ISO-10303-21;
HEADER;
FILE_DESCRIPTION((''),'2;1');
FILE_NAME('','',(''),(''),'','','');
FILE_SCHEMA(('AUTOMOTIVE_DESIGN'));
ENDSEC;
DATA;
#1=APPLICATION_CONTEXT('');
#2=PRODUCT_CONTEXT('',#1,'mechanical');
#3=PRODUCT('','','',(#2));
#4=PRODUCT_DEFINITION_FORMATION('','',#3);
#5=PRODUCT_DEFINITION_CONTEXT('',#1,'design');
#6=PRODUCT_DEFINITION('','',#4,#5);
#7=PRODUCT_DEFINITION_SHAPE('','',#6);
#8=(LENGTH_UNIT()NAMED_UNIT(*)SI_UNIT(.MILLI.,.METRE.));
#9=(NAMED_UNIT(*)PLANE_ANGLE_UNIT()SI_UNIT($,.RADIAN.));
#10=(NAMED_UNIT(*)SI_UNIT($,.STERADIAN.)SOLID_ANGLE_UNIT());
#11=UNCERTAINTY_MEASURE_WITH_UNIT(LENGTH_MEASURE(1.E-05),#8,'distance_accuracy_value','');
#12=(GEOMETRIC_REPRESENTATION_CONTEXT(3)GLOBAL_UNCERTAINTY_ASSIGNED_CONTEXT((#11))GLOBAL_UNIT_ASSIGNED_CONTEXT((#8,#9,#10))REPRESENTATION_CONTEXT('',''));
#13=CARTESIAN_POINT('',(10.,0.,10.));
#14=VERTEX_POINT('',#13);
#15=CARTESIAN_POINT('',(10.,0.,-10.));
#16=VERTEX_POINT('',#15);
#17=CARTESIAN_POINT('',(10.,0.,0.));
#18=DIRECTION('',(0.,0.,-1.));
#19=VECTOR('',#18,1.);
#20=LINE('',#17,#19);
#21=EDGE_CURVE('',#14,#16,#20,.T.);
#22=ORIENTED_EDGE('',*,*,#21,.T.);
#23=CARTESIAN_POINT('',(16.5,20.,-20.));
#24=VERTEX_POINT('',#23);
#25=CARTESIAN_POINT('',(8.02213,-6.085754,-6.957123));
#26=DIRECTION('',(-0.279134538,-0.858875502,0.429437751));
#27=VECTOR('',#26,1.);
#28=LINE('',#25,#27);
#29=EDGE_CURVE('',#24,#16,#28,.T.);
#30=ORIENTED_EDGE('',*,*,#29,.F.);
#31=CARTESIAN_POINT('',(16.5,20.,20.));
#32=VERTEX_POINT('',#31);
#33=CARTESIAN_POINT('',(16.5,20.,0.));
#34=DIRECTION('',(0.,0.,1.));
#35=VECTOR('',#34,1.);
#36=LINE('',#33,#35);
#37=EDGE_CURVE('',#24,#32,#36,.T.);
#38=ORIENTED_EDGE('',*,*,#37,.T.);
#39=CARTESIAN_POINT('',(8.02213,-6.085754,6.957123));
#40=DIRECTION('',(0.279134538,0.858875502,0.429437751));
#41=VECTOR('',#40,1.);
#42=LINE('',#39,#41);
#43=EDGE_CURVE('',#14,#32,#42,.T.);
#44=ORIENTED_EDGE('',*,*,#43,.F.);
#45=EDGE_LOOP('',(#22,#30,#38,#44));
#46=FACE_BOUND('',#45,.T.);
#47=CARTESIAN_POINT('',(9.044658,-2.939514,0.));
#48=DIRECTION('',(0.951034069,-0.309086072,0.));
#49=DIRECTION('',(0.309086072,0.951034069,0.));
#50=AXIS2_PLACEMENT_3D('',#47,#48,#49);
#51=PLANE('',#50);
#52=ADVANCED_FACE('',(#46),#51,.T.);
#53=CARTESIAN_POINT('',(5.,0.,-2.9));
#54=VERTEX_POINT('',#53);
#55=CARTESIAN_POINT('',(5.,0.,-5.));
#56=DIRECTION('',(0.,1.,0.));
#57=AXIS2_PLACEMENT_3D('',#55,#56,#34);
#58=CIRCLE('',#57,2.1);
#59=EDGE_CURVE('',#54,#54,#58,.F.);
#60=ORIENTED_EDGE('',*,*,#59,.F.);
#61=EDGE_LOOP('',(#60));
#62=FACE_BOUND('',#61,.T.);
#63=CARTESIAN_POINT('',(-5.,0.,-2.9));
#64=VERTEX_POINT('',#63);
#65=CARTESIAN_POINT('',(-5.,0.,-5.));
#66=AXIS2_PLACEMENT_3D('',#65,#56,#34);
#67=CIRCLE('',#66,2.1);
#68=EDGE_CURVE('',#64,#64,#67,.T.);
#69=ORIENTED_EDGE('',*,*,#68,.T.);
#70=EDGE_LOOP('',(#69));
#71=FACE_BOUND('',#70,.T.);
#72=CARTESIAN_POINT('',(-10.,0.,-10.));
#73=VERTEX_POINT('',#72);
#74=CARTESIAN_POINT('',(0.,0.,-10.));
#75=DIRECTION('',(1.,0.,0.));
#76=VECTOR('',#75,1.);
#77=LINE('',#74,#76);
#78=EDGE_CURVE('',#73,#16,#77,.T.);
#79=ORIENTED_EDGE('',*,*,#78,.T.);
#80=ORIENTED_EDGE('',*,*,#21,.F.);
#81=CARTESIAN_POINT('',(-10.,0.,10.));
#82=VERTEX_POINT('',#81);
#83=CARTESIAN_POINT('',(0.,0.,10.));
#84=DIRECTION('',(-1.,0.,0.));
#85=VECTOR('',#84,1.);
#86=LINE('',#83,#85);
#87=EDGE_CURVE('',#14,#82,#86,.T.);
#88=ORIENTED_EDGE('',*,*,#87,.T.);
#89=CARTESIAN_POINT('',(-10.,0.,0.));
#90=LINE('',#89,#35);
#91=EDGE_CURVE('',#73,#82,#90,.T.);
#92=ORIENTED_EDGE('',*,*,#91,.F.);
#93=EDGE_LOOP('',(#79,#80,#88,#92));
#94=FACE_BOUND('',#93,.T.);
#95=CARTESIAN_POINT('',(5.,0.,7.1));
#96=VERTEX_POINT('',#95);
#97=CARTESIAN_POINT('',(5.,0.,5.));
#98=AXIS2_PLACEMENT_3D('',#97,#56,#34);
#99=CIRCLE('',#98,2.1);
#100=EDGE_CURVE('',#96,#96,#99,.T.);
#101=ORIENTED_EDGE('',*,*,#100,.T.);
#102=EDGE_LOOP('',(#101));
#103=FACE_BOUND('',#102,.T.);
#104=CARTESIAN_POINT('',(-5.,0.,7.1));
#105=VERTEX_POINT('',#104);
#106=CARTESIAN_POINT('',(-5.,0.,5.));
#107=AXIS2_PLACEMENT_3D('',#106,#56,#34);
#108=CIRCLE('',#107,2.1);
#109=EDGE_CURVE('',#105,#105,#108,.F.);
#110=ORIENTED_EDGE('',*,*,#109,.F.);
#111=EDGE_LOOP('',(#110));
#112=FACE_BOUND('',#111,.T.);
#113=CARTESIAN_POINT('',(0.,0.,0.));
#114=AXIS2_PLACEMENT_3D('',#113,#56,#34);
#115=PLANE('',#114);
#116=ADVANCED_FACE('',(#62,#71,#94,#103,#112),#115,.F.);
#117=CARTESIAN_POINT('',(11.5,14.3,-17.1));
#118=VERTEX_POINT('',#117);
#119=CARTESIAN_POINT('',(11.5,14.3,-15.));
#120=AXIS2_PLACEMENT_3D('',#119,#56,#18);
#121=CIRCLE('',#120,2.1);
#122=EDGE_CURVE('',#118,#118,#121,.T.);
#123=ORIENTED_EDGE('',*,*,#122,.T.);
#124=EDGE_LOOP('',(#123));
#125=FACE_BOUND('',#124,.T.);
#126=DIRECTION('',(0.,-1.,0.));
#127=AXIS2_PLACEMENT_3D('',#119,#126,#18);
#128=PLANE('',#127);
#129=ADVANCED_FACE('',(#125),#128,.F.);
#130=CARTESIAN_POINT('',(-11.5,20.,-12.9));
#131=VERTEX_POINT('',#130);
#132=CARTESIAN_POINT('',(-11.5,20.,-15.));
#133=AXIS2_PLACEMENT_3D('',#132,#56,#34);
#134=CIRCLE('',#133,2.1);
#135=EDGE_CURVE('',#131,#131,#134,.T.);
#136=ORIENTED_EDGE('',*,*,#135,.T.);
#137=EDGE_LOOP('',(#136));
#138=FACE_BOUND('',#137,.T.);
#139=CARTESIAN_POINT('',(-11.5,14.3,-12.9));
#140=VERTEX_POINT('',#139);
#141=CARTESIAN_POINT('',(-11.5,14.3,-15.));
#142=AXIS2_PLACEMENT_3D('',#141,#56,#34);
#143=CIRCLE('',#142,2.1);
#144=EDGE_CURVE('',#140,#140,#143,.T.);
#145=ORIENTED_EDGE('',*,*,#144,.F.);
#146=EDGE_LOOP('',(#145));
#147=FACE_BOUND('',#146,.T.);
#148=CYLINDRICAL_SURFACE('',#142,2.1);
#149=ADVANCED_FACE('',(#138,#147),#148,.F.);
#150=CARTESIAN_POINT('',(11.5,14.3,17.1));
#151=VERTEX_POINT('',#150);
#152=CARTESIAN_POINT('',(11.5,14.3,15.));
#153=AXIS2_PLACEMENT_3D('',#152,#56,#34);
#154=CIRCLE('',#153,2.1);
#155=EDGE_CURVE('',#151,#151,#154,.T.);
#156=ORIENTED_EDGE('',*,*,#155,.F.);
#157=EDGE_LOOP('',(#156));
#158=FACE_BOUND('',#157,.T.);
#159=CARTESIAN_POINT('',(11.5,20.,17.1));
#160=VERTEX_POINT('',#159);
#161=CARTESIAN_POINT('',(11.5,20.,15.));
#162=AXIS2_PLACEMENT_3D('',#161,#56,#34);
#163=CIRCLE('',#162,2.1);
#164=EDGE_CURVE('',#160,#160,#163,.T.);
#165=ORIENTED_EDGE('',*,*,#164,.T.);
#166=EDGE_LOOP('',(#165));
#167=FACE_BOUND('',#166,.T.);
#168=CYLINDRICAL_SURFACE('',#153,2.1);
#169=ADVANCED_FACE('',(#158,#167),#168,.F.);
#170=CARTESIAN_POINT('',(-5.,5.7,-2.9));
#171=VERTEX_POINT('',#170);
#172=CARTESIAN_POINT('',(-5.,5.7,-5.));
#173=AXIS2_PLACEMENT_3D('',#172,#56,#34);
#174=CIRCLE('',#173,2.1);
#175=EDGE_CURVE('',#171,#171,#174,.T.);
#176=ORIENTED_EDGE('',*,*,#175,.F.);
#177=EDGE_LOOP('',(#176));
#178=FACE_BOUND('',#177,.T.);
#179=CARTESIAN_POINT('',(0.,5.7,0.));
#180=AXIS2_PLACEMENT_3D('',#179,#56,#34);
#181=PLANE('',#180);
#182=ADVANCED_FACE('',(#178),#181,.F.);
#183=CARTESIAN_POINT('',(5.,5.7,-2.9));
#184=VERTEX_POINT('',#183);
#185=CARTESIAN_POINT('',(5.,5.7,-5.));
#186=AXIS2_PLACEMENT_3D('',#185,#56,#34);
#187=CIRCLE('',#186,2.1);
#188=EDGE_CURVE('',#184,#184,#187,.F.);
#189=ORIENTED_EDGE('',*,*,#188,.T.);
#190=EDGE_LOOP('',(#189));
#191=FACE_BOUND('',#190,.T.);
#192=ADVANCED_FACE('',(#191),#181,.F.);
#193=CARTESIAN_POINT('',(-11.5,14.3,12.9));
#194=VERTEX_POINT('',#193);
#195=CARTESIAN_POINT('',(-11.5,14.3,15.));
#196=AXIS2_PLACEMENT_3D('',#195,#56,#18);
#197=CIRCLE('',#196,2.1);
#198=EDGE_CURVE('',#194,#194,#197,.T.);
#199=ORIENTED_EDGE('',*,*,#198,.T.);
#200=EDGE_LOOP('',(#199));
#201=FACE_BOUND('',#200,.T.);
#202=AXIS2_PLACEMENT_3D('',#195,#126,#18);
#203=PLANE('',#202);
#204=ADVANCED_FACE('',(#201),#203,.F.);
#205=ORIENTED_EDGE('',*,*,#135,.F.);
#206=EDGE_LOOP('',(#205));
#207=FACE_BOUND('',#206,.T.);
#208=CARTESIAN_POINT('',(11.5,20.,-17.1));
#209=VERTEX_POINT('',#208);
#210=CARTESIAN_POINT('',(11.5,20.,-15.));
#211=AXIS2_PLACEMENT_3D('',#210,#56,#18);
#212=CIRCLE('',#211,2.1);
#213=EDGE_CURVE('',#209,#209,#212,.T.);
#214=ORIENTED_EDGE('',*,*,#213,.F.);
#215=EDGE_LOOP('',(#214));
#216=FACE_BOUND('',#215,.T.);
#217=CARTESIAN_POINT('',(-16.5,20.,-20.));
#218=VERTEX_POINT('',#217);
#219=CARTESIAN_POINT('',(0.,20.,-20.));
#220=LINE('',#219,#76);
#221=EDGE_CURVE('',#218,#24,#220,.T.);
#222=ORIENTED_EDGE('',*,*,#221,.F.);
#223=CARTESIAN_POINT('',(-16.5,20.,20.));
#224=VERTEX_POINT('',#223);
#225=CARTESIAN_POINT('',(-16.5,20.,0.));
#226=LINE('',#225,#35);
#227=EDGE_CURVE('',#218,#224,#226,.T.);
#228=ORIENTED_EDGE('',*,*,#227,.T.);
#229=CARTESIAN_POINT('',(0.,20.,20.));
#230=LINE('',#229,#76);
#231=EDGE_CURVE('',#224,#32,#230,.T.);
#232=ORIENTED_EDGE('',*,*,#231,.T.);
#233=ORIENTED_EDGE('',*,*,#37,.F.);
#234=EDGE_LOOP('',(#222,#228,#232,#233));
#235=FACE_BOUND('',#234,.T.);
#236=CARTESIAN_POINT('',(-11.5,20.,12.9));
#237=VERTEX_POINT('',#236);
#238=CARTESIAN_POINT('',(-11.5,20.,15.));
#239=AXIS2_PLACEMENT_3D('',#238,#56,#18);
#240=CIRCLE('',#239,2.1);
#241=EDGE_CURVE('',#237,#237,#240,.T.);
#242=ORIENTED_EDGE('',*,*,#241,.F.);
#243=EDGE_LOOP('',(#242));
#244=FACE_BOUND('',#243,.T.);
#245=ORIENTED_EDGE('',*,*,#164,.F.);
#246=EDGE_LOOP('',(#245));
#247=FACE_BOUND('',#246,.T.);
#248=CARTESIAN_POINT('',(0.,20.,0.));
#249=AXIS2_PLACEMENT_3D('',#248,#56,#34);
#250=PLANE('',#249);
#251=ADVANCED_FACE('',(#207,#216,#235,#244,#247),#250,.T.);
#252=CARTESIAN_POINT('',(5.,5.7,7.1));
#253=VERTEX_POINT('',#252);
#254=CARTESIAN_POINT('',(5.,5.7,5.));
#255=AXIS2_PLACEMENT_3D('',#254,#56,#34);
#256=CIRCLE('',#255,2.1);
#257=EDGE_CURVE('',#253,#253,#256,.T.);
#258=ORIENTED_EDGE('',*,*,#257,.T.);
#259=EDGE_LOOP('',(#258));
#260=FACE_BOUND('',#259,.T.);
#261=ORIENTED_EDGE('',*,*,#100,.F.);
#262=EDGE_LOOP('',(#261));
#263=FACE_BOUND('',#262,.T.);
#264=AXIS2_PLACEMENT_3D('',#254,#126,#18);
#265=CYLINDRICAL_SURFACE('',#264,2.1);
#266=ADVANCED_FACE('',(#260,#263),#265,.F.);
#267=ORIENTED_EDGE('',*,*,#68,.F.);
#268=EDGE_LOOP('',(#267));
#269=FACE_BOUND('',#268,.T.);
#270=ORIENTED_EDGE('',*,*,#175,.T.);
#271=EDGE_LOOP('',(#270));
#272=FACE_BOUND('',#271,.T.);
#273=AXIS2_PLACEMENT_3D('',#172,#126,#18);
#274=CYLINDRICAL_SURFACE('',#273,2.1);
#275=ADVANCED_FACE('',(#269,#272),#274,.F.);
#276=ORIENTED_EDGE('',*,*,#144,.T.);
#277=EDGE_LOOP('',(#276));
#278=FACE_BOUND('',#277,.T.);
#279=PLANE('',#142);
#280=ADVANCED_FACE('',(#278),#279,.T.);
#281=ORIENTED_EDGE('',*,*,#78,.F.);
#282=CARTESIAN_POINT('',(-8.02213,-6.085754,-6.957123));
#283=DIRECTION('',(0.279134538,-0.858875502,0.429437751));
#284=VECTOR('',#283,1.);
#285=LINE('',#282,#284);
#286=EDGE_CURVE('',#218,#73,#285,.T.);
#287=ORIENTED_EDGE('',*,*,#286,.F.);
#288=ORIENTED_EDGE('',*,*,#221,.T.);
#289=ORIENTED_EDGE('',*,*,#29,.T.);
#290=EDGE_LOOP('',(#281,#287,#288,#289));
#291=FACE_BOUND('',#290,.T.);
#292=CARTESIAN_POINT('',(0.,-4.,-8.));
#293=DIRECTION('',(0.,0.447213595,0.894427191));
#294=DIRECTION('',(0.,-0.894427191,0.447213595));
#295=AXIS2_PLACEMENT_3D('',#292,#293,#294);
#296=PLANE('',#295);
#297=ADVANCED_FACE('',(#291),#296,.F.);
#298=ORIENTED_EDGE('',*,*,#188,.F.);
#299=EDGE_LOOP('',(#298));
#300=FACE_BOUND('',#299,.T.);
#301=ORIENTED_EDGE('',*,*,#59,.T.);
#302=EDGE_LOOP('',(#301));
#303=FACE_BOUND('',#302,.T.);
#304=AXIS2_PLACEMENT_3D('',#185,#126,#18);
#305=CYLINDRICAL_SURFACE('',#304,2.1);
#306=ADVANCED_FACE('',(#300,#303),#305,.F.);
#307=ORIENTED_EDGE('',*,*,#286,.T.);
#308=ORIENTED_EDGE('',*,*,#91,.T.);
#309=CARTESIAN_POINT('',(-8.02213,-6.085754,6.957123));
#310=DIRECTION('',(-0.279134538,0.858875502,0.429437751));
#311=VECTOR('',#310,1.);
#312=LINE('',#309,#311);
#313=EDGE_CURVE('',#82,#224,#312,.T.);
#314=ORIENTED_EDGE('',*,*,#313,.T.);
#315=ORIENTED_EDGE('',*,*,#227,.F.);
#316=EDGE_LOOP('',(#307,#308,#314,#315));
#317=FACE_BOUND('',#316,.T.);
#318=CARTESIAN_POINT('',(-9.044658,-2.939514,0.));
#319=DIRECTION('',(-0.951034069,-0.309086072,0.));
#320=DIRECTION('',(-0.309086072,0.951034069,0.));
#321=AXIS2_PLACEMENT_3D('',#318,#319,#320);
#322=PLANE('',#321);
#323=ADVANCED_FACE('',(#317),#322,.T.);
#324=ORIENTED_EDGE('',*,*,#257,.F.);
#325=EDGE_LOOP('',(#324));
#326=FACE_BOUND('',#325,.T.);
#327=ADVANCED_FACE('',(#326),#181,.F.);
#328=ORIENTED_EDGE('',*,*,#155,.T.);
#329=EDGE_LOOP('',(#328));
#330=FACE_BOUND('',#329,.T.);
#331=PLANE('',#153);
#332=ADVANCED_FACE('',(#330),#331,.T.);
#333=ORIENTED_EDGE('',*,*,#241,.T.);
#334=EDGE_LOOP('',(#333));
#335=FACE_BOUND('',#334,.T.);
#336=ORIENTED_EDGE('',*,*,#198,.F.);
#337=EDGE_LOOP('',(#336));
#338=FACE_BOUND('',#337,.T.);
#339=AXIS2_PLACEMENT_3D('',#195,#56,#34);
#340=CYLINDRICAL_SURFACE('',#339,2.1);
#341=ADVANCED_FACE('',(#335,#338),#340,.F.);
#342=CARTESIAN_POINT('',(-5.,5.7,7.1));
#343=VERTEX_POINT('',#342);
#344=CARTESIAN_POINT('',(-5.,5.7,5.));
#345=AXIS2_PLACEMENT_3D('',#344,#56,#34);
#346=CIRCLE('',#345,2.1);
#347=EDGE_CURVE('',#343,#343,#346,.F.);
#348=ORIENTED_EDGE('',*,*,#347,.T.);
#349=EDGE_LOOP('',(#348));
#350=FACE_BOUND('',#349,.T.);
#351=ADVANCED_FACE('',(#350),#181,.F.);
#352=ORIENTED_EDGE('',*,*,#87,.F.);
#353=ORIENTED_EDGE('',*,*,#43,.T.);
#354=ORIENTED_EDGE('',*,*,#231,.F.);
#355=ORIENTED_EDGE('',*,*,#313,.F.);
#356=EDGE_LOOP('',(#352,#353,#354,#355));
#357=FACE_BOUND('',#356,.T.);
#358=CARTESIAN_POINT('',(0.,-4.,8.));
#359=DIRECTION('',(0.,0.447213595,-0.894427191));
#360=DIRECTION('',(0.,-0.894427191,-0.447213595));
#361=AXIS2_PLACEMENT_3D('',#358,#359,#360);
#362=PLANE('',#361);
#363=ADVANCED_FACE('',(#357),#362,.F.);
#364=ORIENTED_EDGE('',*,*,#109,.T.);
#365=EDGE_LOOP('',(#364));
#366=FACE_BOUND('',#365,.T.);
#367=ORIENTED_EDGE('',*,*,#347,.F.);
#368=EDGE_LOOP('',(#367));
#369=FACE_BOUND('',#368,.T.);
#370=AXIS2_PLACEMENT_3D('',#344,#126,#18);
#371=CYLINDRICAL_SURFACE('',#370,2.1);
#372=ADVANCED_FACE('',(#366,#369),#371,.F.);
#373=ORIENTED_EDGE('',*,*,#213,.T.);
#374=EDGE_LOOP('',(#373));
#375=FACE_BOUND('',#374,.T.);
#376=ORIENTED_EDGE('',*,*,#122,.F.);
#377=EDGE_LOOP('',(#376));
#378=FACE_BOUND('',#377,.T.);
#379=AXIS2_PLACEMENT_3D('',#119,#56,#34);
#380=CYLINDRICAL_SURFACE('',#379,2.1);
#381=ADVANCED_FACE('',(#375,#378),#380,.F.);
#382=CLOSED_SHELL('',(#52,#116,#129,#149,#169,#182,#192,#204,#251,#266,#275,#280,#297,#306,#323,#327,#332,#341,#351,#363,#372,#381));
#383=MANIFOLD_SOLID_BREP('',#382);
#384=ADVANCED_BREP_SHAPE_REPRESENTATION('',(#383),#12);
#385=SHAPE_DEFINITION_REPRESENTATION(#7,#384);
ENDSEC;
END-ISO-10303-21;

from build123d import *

# Parameters (mm, degrees)
SKETCH2_W           = 16.5
SKETCH2_H           = 40
BOSS_EXTRUDE1_DEPTH = 20
CUT_EXTRUDE1_DEPTH  = 20
SKETCH5_W           = 46.207326837
SKETCH5_H           = 41.881023155
CUT_EXTRUDE2_DEPTH  = 20
SKETCH1_R           = 2.1
CUT_EXTRUDE3_DEPTH  = 5.7
SKETCH7_R           = 2.1
CUT_EXTRUDE4_DEPTH  = 5.7


with BuildPart() as part:
    # Sketch2 → Boss-Extrude1 (new body)
    with BuildSketch(Plane(origin=(0, 20, 0), x_dir=(1, 0, 0), z_dir=(0, 1, 0))):
        with Locations((-8.25, 0)):
            Rectangle(SKETCH2_W, SKETCH2_H)
        with Locations((8.25, 0)):
            Rectangle(SKETCH2_W, SKETCH2_H)
    extrude(amount=-BOSS_EXTRUDE1_DEPTH)

    # Sketch4 → Cut-Extrude1 (cut)
    with BuildSketch(Plane(origin=(9.044657999, -2.93951385, 0), x_dir=(0, 0, 1), z_dir=(-0.9510340687309481, 0.30908607233755875, 0))):
        Polygon((-21.945163579, 1.558302269), (-22.817048797, 25.42042402), (26.491055296, 25.42042402), (24.942749687, 1.558302269), align=None)
    cut_extrude1 = extrude(amount=-CUT_EXTRUDE1_DEPTH, mode=Mode.SUBTRACT)

    # Sketch5 → Cut-Extrude2 (cut)
    with BuildSketch(Plane(origin=(0, -4, -8), x_dir=(1, 0, 0), z_dir=(0, 0.447213595499958, 0.894427190999916))):
        with Locations((1.743983375, 9.495933816)):
            Rectangle(SKETCH5_W, SKETCH5_H)
    cut_extrude2 = extrude(amount=-CUT_EXTRUDE2_DEPTH, mode=Mode.SUBTRACT)

    # Mirror1: Cut-Extrude2 across plane
    add(cut_extrude2.mirror(Plane.XY), mode=Mode.SUBTRACT)

    # Mirror2: Cut-Extrude1 across plane
    add(cut_extrude1.mirror(Plane(origin=(0, 0, 0), x_dir=(0, 0, 1), z_dir=(1, 0, 0))), mode=Mode.SUBTRACT)

    # Sketch1 → Cut-Extrude3 (cut)
    with BuildSketch(Plane(origin=(0, 0, 0), x_dir=(1, 0, 0), z_dir=(0, 1, 0))):
        with Locations(Location((-5, 5, 0), (0, 0, 270))):
            Circle(SKETCH1_R)
        with Locations(Location((5, 5, 0), (0, 0, 270))):
            Circle(SKETCH1_R)
        with Locations(Location((5, -5, 0), (0, 0, 270))):
            Circle(SKETCH1_R)
        with Locations(Location((-5, -5, 0), (0, 0, 270))):
            Circle(SKETCH1_R)
    extrude(amount=CUT_EXTRUDE3_DEPTH, mode=Mode.SUBTRACT)

    # Sketch7 → Cut-Extrude4 (cut)
    with BuildSketch(Plane(origin=(0, 20, 0), x_dir=(1, 0, 0), z_dir=(0, 1, 0))):
        with Locations(Location((-11.5, 15, 0), (0, 0, 270))):
            Circle(SKETCH7_R)
        with Locations(Location((-11.5, -15, 0), (0, 0, 90))):
            Circle(SKETCH7_R)
        with Locations(Location((11.5, -15, 0), (0, 0, 270))):
            Circle(SKETCH7_R)
        with Locations(Location((11.5, 15, 0), (0, 0, 90))):
            Circle(SKETCH7_R)
    extrude(amount=-CUT_EXTRUDE4_DEPTH, mode=Mode.SUBTRACT)


solid = part.part
